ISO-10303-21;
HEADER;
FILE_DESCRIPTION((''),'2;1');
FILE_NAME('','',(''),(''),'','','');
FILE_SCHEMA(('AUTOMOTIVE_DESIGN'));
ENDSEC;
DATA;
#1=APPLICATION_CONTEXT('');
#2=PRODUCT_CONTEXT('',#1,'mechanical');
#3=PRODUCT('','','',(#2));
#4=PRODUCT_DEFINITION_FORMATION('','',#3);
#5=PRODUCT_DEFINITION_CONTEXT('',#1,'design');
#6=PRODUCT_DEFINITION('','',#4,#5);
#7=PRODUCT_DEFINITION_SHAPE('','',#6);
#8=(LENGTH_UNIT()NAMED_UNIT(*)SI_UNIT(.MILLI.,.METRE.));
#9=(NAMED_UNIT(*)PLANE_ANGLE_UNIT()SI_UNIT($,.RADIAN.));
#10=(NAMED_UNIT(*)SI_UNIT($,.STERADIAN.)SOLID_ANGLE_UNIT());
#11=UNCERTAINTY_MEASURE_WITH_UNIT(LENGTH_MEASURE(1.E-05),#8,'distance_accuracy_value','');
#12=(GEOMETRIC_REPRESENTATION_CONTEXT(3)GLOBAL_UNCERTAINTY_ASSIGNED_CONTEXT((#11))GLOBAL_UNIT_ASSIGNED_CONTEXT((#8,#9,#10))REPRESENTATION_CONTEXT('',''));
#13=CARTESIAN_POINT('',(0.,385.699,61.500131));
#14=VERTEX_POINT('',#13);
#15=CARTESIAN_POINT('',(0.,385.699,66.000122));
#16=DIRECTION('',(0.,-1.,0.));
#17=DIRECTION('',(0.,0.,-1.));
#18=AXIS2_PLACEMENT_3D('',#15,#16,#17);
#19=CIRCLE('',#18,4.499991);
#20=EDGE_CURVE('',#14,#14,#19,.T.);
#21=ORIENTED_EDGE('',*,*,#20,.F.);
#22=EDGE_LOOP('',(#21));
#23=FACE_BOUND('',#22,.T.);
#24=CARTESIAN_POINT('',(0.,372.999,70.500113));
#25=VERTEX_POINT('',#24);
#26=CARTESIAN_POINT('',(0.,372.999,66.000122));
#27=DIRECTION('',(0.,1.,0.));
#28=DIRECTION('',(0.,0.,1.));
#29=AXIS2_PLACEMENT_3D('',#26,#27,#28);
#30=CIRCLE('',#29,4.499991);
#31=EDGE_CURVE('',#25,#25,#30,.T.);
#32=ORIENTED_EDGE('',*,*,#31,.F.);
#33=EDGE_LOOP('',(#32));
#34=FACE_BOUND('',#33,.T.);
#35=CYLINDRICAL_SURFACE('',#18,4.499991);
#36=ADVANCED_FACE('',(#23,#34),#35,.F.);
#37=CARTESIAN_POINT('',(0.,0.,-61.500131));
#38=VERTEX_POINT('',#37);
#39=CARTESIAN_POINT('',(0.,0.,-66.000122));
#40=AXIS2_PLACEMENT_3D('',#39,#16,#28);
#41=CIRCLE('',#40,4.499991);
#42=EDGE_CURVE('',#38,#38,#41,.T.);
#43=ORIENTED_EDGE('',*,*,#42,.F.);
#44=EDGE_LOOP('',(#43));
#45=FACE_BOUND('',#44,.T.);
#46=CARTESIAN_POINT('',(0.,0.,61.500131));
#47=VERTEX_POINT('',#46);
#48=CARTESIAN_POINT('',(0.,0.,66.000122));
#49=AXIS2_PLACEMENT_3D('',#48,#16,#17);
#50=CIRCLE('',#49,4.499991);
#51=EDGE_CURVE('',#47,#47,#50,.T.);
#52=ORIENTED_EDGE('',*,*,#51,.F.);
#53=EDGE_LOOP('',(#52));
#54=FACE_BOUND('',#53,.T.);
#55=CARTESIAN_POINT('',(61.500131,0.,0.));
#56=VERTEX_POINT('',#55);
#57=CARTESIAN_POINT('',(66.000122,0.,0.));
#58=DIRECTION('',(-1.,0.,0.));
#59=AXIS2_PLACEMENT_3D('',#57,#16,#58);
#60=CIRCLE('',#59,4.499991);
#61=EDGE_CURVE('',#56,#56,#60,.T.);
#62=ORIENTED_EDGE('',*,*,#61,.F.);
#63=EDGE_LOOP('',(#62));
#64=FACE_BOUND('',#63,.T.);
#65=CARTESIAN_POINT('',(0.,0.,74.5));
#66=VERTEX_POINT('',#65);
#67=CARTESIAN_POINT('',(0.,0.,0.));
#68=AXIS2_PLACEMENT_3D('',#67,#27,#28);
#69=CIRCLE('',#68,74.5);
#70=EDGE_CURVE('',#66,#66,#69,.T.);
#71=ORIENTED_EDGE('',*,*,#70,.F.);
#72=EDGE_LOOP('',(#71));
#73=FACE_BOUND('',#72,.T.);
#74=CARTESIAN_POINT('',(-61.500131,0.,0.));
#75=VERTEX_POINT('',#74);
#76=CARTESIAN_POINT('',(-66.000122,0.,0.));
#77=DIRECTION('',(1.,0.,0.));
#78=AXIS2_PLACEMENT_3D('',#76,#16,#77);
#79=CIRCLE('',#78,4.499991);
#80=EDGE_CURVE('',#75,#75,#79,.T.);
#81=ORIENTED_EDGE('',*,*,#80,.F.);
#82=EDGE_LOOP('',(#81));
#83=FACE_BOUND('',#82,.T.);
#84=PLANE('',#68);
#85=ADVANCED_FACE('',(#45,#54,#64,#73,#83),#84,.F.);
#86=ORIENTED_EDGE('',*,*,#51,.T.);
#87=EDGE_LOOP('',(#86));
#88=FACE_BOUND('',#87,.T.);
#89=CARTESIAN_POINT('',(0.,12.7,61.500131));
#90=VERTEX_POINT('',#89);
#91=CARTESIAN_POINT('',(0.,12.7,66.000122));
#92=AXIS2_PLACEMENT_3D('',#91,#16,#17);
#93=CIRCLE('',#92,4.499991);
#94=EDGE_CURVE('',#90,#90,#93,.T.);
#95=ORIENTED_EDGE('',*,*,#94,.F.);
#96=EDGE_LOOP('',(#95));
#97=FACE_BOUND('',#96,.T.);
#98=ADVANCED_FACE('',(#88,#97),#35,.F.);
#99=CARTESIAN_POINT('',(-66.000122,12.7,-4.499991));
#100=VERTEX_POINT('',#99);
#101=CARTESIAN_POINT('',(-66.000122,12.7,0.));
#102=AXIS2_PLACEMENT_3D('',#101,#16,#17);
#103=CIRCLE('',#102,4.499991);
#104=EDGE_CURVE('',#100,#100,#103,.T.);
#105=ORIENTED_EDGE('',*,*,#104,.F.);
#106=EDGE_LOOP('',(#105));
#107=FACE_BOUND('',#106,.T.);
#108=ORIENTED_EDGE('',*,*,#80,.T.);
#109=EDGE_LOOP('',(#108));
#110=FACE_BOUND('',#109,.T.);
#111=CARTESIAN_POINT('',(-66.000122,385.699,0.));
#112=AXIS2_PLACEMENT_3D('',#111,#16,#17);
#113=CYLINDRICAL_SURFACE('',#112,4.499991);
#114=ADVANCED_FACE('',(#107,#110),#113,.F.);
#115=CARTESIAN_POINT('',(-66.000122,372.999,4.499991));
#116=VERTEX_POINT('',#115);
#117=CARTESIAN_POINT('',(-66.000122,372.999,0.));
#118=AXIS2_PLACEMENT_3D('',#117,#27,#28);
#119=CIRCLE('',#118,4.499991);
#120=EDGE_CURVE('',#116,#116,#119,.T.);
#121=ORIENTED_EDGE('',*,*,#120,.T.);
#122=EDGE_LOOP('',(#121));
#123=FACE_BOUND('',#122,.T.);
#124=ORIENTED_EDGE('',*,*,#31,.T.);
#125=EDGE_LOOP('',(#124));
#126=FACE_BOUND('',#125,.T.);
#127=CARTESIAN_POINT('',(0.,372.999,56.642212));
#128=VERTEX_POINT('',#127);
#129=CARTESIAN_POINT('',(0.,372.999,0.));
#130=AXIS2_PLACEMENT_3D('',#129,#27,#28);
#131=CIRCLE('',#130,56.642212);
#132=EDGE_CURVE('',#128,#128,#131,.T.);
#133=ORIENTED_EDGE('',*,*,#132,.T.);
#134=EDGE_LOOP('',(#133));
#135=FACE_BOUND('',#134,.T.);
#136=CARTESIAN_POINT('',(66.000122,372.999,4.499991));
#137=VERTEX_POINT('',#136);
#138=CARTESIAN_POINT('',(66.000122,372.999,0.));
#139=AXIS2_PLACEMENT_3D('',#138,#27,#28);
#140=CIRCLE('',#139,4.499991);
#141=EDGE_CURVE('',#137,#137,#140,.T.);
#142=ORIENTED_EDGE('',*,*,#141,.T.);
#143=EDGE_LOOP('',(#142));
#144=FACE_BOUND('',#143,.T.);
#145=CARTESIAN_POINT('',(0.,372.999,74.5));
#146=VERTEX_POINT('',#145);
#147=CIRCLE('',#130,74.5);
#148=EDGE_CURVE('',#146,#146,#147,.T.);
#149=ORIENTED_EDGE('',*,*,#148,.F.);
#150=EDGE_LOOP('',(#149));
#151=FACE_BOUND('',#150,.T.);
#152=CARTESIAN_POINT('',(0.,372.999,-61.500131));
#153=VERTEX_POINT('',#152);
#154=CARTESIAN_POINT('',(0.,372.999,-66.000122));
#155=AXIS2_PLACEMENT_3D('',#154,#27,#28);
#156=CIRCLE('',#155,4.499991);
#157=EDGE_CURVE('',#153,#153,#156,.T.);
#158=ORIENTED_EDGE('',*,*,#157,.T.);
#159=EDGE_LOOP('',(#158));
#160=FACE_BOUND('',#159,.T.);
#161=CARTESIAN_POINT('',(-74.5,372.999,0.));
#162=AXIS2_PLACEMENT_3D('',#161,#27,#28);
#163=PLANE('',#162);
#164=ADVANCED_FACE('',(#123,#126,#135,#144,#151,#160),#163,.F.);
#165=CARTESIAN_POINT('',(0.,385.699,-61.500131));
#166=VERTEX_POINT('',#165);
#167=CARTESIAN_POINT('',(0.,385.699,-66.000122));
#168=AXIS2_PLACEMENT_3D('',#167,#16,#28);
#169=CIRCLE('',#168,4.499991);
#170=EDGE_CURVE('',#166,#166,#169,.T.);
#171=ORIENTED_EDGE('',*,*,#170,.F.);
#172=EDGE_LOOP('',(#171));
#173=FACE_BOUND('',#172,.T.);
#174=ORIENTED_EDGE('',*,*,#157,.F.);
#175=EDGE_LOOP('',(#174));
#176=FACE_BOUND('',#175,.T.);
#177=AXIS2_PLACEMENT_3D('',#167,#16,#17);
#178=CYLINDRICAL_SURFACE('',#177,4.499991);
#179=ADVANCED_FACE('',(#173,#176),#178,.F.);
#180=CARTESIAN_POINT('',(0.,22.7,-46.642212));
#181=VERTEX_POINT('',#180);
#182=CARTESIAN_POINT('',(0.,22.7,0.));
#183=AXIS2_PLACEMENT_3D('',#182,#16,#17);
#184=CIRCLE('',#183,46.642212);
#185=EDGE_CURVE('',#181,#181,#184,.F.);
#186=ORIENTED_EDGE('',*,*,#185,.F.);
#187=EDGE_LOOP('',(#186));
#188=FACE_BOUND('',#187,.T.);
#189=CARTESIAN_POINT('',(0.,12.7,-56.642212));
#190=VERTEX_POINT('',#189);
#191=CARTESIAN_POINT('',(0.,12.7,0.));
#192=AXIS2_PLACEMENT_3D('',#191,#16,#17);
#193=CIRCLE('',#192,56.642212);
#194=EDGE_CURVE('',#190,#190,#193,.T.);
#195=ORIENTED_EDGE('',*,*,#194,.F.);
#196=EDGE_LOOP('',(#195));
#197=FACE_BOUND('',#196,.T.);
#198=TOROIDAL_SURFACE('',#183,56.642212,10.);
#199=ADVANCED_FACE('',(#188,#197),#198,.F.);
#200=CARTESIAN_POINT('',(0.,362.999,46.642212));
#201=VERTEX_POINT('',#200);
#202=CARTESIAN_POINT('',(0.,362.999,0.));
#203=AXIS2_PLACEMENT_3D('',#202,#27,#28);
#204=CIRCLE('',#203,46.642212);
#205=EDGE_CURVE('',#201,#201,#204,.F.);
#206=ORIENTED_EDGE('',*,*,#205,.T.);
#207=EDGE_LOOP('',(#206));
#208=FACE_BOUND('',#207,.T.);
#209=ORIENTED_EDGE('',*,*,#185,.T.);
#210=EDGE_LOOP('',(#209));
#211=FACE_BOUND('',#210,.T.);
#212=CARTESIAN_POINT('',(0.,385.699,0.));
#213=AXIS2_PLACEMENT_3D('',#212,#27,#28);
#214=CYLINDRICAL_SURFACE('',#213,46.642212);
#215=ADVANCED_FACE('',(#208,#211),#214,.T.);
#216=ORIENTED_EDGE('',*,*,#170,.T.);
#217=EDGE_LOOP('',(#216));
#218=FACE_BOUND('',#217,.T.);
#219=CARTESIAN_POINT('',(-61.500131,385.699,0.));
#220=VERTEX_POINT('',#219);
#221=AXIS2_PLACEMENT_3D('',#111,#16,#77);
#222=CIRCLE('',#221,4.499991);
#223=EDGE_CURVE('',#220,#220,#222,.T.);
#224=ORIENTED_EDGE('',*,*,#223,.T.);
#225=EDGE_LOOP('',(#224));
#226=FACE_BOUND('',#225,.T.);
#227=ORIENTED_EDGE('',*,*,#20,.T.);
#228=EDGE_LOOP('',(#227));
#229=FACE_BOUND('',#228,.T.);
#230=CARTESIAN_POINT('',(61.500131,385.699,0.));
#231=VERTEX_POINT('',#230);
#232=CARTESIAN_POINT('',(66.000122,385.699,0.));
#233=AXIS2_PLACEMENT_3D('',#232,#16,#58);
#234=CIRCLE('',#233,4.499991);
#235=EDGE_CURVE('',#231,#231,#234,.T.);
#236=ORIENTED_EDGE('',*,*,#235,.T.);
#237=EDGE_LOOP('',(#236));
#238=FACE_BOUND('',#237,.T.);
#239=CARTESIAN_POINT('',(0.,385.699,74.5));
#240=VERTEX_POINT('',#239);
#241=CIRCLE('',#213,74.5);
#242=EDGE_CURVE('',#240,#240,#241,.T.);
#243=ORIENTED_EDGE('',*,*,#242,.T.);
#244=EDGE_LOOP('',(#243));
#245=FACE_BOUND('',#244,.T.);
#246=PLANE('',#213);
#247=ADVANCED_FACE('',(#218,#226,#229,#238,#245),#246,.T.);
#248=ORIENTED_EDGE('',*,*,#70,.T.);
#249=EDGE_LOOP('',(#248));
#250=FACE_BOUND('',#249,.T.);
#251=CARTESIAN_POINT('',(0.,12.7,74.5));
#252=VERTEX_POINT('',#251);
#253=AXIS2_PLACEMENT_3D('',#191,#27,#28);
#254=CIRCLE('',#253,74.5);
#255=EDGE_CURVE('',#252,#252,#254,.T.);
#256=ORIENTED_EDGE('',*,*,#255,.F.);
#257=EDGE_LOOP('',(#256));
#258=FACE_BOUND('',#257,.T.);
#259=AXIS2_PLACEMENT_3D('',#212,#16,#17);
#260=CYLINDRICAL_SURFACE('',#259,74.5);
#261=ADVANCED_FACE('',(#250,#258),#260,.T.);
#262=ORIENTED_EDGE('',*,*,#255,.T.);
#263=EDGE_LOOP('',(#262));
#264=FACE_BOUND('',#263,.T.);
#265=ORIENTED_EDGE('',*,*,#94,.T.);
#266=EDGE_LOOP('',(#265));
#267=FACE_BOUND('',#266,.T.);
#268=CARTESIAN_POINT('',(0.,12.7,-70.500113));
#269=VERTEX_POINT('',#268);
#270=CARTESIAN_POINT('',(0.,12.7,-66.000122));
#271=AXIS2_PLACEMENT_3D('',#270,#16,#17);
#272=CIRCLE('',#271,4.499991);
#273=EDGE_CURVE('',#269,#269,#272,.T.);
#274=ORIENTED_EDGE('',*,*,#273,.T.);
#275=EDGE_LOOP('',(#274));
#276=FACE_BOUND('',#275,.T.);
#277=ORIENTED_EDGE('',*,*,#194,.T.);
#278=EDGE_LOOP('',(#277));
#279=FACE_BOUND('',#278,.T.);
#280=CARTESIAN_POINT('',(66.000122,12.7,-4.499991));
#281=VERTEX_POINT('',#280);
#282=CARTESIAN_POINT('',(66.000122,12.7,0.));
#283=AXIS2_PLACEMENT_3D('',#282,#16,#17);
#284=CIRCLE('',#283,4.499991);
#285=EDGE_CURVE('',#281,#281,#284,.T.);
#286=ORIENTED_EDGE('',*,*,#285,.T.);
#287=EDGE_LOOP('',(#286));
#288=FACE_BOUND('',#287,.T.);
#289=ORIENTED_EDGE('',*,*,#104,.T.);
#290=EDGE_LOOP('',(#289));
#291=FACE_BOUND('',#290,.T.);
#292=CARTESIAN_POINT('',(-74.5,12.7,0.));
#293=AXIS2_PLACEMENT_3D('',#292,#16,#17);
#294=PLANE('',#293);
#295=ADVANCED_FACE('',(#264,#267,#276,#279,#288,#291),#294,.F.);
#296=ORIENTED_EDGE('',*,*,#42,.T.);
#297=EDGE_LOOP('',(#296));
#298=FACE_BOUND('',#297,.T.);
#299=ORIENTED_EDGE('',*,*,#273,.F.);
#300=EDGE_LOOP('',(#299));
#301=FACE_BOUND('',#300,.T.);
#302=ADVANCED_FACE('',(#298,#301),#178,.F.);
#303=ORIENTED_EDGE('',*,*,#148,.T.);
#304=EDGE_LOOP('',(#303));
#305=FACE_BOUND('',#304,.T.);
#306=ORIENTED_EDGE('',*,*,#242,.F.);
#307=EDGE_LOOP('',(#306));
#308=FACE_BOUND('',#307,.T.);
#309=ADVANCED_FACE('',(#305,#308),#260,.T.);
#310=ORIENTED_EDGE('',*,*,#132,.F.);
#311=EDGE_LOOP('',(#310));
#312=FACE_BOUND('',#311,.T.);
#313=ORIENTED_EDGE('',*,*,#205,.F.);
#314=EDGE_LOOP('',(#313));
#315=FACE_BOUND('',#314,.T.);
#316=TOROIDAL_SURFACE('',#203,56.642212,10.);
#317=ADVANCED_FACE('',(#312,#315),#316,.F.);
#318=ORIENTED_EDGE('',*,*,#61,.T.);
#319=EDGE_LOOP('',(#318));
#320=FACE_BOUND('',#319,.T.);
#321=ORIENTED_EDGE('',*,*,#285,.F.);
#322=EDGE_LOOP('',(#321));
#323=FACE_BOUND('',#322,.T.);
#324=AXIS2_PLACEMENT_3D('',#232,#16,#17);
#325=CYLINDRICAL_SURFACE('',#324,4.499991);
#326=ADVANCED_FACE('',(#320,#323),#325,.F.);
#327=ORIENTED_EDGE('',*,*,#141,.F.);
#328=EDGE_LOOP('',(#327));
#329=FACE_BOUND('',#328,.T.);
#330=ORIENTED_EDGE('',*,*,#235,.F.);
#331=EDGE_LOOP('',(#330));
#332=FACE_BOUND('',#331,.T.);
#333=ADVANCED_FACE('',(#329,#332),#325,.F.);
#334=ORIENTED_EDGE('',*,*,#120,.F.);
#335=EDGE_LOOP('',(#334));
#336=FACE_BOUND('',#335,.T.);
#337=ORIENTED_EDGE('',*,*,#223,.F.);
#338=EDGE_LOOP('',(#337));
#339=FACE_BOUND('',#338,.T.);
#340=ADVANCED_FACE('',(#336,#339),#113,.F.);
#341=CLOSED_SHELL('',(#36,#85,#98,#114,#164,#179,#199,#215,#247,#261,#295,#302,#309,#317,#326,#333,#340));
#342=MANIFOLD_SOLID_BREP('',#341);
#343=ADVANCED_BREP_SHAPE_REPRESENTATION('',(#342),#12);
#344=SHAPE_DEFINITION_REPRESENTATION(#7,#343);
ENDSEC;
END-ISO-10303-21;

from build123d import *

# Parameters (mm, degrees)
SKETCH1_R           = 74.5
BOSS_EXTRUDE1_DEPTH = 385.699
SKETCH2_W           = 27.8577878
SKETCH2_H           = 360.299
SKETCH3_R           = 4.499991
CUT_EXTRUDE1_DEPTH  = 400.830237227
CIRPATTERN1_COUNT   = 4
FILLET1_R           = 10


with BuildPart() as part:
    # Sketch1 → Boss-Extrude1 (new body)
    with BuildSketch(Plane(origin=(0, 0, 0), x_dir=(1, 0, 0), z_dir=(0, 1, 0))):
        with Locations(Location((0, 0, 0), (0, 0, 270))):
            Circle(SKETCH1_R)
    extrude(amount=BOSS_EXTRUDE1_DEPTH)

    # Sketch2 → Cut-Revolve4 (revolve, cut)
    with BuildSketch(Plane.XY, mode=Mode.PRIVATE) as cut_revolve4_sk:
        with Locations((-60.5711061, 192.8495)):
            Rectangle(SKETCH2_W, SKETCH2_H)
    revolve(cut_revolve4_sk.sketch.rotate(Axis((0, 385.699, 0), (0, -1, 0)), 270), axis=Axis((0, 385.699, 0), (0, -1, 0)), mode=Mode.SUBTRACT)

    # Sketch3 → Cut-Extrude1 (cut, through all)
    with BuildSketch(Plane.XZ):
        with Locations(Location((0, 66.000122, 0), (0, 0, 270))):
            Circle(SKETCH3_R)
    cut_extrude1 = extrude(amount=-CUT_EXTRUDE1_DEPTH, mode=Mode.SUBTRACT)

    # CirPattern1: Cut-Extrude1 ×4 about axis
    cirpattern1_axis = Axis((0, 0, 0), (0, 1, 0))
    for i in range(1, CIRPATTERN1_COUNT):
        add(cut_extrude1.rotate(cirpattern1_axis, i * 360 / CIRPATTERN1_COUNT), mode=Mode.SUBTRACT)

    # Fillet1
    fillet1_edges = [part.edges().sort_by_distance(p)[0] for p in [
        (0, 12.7, -46.6422122),
        (0, 372.999, -46.6422122),
    ]]
    fillet(fillet1_edges, radius=FILLET1_R)


solid = part.part
